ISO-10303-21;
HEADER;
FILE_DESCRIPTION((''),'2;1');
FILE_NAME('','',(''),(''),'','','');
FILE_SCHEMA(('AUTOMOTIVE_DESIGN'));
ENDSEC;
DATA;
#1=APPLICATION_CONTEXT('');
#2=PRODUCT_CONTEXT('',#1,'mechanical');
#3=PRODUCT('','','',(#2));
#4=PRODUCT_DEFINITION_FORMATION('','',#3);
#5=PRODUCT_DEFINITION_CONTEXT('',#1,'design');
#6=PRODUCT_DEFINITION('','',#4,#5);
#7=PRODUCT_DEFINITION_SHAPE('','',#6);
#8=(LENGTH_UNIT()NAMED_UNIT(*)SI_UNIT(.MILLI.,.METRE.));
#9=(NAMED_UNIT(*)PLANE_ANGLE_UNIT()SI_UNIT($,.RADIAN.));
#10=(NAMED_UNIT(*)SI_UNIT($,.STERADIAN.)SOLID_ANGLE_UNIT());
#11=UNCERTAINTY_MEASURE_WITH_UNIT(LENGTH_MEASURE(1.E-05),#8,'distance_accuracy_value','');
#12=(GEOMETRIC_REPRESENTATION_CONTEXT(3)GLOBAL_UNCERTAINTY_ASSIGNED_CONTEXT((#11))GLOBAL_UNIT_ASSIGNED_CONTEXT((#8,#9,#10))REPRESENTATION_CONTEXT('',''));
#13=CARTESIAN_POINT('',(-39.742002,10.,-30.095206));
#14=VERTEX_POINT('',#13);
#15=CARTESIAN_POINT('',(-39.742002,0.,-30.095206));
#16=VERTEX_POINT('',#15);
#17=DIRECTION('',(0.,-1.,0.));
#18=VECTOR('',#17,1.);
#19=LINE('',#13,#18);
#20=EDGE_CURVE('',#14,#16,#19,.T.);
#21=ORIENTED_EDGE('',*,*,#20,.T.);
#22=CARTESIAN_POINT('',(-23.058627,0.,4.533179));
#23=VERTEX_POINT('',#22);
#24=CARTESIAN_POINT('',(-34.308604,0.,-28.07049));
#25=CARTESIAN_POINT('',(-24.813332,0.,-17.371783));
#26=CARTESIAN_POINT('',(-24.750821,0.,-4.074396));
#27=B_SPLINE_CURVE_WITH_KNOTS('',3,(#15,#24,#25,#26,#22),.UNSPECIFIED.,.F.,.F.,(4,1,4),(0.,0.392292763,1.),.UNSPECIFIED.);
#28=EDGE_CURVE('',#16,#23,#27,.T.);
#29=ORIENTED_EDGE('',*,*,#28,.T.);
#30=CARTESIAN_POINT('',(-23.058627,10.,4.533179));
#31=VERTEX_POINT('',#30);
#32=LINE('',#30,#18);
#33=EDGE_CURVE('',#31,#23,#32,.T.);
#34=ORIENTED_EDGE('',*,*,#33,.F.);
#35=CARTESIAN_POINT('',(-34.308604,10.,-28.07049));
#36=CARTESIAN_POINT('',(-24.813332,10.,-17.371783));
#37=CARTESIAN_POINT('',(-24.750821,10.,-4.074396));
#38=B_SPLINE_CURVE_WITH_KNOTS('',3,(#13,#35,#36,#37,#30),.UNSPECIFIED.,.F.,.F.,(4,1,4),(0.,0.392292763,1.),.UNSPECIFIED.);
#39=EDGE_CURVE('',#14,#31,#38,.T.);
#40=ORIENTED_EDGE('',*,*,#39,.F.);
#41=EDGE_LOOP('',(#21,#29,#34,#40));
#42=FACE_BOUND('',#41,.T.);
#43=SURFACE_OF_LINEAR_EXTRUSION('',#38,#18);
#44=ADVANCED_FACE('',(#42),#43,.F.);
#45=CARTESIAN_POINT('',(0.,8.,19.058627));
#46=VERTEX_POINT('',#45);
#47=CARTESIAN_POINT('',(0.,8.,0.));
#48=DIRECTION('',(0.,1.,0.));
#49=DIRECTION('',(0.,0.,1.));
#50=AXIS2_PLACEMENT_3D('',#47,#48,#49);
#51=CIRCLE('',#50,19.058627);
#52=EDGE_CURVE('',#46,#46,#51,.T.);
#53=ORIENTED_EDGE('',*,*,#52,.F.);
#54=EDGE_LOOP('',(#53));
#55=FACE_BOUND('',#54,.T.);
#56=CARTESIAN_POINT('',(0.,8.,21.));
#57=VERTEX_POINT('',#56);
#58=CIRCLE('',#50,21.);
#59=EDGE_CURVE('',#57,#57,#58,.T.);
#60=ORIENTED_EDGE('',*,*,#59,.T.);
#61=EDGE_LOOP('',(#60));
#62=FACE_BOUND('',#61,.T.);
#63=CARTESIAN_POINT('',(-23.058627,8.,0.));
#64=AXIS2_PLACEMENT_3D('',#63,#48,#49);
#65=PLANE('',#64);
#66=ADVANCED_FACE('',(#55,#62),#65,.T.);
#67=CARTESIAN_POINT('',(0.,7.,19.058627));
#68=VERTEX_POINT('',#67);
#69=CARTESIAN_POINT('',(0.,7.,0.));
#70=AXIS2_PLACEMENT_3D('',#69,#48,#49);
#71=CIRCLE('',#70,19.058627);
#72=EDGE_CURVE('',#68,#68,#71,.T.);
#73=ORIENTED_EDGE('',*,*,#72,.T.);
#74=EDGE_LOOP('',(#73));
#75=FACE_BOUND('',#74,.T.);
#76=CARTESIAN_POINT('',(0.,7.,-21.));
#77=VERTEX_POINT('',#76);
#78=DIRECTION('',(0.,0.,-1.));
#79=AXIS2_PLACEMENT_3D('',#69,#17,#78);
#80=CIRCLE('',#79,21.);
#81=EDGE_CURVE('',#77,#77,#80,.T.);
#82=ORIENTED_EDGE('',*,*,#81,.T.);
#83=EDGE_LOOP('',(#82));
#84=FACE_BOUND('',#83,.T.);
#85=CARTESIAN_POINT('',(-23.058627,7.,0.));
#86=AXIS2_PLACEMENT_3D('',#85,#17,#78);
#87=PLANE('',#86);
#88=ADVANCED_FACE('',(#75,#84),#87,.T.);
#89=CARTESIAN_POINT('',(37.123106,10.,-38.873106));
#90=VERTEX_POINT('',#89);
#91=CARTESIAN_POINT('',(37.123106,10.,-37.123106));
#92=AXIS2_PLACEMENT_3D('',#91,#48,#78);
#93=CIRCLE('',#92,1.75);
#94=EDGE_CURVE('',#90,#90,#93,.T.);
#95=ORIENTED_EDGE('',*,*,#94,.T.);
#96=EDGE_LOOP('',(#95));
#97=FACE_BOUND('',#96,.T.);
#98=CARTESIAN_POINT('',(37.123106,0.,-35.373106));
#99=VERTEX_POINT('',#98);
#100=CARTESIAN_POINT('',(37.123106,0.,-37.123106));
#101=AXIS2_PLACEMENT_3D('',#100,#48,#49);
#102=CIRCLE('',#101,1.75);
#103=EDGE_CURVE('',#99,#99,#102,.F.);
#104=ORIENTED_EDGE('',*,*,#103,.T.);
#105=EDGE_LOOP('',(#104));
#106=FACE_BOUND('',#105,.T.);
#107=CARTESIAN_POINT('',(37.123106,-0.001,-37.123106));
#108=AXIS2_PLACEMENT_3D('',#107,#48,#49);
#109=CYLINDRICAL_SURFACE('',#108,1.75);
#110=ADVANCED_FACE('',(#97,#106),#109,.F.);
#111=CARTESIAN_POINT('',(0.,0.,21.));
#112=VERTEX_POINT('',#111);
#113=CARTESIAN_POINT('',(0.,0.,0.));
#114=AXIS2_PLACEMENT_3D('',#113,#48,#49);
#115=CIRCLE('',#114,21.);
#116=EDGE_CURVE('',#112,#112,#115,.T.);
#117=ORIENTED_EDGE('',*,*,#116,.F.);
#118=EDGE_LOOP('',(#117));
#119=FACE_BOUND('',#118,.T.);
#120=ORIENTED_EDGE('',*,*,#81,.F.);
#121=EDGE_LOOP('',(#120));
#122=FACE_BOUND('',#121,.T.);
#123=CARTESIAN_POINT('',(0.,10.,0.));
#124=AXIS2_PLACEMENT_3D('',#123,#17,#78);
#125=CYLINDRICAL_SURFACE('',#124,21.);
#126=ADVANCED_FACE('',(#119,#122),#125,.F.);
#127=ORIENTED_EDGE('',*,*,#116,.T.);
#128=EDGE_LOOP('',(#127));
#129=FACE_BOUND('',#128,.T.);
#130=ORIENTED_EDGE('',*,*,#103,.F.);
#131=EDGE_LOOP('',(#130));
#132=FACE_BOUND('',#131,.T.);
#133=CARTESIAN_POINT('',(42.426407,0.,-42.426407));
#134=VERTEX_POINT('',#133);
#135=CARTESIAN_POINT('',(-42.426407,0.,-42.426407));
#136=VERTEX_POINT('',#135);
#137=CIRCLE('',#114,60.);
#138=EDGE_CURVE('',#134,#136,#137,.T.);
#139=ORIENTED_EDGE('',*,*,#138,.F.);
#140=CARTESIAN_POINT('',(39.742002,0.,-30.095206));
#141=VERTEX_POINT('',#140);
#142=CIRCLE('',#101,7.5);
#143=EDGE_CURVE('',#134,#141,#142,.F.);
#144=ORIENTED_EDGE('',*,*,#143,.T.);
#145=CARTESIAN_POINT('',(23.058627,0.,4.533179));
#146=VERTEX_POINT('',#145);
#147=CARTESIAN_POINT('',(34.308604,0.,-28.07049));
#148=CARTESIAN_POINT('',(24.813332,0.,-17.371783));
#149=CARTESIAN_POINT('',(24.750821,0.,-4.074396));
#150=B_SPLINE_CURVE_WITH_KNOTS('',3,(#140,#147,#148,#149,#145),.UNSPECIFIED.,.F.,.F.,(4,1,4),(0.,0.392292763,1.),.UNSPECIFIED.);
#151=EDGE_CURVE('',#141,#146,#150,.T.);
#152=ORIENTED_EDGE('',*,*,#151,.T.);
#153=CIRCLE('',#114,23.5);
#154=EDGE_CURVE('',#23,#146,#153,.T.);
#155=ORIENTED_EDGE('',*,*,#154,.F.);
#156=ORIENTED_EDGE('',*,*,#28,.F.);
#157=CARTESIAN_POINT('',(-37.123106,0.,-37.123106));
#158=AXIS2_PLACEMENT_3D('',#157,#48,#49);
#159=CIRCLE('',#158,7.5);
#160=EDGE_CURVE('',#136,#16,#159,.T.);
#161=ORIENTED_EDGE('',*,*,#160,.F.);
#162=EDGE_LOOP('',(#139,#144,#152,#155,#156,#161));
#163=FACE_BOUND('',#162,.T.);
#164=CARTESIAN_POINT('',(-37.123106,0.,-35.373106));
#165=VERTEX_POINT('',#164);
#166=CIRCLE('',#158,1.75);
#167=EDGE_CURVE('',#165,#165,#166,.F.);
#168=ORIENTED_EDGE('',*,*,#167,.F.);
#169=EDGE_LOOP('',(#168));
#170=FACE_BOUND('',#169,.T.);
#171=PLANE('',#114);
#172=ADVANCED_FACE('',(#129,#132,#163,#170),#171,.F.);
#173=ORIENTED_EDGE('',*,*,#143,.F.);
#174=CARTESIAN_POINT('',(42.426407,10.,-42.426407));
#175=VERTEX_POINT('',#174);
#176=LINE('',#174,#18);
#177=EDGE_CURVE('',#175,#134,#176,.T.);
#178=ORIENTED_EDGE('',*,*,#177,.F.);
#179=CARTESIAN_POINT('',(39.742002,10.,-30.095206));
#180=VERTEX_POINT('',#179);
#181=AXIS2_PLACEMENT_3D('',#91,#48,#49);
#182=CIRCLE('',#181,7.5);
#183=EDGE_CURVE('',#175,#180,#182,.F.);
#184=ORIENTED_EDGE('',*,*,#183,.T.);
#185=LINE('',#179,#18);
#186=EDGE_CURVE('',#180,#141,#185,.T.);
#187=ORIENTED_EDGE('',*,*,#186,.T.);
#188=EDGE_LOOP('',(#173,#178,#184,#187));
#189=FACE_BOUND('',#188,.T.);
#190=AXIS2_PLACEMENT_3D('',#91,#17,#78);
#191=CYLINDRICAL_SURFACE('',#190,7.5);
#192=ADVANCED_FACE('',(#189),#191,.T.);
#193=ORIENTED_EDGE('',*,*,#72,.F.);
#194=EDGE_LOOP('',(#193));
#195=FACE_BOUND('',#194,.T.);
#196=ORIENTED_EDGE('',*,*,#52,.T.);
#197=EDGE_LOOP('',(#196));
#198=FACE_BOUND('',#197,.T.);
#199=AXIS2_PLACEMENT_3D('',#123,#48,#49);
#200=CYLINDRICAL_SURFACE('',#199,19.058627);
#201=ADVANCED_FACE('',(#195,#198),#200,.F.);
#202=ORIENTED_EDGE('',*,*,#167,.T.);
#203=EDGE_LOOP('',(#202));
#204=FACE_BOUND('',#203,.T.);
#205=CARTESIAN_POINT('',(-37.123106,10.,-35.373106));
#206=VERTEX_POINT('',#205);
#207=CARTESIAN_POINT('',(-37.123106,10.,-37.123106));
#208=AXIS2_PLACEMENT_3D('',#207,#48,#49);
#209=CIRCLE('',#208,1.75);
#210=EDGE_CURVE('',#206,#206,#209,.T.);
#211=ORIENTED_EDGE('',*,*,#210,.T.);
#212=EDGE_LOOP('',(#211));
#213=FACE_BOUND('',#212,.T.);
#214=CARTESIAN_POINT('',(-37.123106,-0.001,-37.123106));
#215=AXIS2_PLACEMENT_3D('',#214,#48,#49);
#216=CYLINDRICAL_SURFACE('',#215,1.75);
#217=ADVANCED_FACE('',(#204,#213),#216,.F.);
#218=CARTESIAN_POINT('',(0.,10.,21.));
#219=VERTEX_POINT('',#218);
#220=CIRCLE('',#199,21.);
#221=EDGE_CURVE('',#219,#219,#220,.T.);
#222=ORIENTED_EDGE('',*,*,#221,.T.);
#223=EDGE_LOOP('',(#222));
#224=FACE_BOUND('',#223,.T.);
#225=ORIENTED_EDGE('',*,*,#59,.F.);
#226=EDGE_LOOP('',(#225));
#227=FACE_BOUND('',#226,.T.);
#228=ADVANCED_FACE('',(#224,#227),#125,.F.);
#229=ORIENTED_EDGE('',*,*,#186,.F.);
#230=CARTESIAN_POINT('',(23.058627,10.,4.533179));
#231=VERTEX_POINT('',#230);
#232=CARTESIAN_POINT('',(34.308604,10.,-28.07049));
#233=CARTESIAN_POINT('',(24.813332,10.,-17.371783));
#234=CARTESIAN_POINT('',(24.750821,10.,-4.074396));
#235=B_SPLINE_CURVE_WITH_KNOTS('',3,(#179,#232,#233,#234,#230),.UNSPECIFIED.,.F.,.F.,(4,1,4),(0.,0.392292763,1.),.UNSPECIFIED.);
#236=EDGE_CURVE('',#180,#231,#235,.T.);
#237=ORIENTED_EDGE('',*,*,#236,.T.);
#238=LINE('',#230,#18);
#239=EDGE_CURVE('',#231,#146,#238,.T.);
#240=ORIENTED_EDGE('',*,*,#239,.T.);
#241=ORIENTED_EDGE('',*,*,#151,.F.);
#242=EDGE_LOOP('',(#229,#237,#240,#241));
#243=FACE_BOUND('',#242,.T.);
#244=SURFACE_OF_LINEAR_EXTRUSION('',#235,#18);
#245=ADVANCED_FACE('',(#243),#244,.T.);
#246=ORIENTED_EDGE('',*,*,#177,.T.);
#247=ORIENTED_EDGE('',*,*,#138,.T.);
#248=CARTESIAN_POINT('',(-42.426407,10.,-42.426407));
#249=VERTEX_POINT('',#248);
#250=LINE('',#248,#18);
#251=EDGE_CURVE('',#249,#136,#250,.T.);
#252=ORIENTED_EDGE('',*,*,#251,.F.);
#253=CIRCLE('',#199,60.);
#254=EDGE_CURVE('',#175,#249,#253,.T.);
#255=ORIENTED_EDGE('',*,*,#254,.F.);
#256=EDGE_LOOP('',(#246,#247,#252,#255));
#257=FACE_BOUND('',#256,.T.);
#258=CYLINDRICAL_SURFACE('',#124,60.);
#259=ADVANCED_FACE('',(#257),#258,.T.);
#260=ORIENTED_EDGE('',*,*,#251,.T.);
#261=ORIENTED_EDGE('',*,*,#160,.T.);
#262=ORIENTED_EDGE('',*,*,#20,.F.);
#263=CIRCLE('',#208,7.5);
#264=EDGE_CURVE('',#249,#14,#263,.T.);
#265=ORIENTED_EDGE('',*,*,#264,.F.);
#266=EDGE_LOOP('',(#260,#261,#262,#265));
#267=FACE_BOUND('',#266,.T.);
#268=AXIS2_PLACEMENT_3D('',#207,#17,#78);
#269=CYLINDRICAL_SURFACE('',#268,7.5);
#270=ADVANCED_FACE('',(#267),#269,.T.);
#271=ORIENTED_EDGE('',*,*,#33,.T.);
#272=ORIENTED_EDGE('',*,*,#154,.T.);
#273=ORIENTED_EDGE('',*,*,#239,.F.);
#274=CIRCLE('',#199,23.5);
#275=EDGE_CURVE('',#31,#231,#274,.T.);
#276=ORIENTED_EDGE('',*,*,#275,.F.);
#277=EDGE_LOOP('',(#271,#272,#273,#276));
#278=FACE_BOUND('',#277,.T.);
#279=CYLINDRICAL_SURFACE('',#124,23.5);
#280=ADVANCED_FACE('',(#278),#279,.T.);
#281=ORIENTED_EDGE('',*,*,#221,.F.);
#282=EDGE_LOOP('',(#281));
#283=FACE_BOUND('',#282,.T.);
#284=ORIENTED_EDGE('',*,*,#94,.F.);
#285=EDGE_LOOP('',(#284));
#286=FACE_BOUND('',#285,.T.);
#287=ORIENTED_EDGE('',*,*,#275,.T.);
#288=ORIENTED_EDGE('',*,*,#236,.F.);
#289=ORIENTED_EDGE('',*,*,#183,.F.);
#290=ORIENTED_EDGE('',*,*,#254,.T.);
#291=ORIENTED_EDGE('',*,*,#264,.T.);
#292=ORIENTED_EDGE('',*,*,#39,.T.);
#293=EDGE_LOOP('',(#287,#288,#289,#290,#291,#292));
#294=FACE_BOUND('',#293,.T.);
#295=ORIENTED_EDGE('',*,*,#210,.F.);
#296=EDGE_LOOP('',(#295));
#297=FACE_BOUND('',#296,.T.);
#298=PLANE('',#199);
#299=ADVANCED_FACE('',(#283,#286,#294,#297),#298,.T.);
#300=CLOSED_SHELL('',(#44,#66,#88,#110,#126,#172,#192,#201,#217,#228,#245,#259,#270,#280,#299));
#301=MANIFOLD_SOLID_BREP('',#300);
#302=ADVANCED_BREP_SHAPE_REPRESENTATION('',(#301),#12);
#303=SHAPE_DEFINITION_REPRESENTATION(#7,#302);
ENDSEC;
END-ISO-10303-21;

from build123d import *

# Parameters (mm, degrees)
SKETCH2_R           = 21
BOSS_EXTRUDE1_DEPTH = 10
CUT_EXTRUDE1_REACH  = 77.44
SKETCH3_R           = 1.75
SKETCH5_W           = 4
SKETCH5_H           = 1


with BuildPart() as part:
    # Sketch2 → Boss-Extrude1 (new body)
    # profile 1 of 6: a face of its own
    with BuildSketch(Plane(origin=(0, 0, 0), x_dir=(1, 0, 0), z_dir=(0, 1, 0))):
        with BuildLine():
            ThreePointArc((-39.742001703, 30.095205518), (-35.527778851, 29.794741171), (-31.819805153, 31.819805153))
            Line((-31.819805153, 31.819805153), (-42.426406871, 42.426406871))
            ThreePointArc((-42.426406871, 42.426406871), (-44.451470854, 35.527778851), (-39.742001703, 30.095205518))
        make_face()
    # profile 2 of 6: a face of its own
    with BuildSketch(Plane(origin=(0, 0, 0), x_dir=(1, 0, 0), z_dir=(0, 1, 0))):
        with BuildLine():
            Line((-42.426406871, 42.426406871), (-31.819805153, 31.819805153))
            ThreePointArc((-31.819805153, 31.819805153), (0, 45), (31.819805153, 31.819805153))
            ThreePointArc((31.819805153, 31.819805153), (35.527778851, 29.794741171), (39.742001703, 30.095205518))
            ThreePointArc((39.742001703, 30.095205518), (44.451470854, 35.527778851), (42.426406871, 42.426406871))
            ThreePointArc((42.426406871, 42.426406871), (0, 60), (-42.426406871, 42.426406871))
        make_face()
    # profile 3 of 6: a face of its own
    with BuildSketch(Plane(origin=(0, 0, 0), x_dir=(1, 0, 0), z_dir=(0, 1, 0))):
        with BuildLine():
            ThreePointArc((31.819805153, 31.819805153), (0, 45), (-31.819805153, 31.819805153))
            ThreePointArc((-31.819805153, 31.819805153), (-33.665365801, 29.860394262), (-35.390472848, 27.794143836))
            add(Edge.make_bspline(
                [(-35.390472848, 27.794143836), (-32.245912853, 25.570807212), (-24.806129807, 15.839794796), (-24.750821328, 4.074395815), (-23.058627279, -4.533178579)],
                knots=[0.115209689, 0.115209689, 0.115209689, 0.115209689, 0.392292763, 1, 1, 1, 1], degree=3))
            ThreePointArc((-23.058627279, -4.533178579), (-2.277307506, 23.38939654), (23.5, 0))
            ThreePointArc((23.5, 0), (23.38939654, -2.277307506), (23.058627279, -4.533178579))
            add(Edge.make_bspline(
                [(35.390472848, 27.794143836), (32.245912853, 25.570807212), (24.806129807, 15.839794796), (24.750821328, 4.074395815), (23.058627279, -4.533178579)],
                knots=[0.115209689, 0.115209689, 0.115209689, 0.115209689, 0.392292763, 1, 1, 1, 1], degree=3))
            ThreePointArc((35.390472848, 27.794143836), (33.665365801, 29.860394262), (31.819805153, 31.819805153))
        make_face()
    # profile 4 of 6: a face of its own
    with BuildSketch(Plane(origin=(0, 0, 0), x_dir=(1, 0, 0), z_dir=(0, 1, 0))):
        with BuildLine():
            ThreePointArc((-35.390472848, 27.794143836), (-33.665365801, 29.860394262), (-31.819805153, 31.819805153))
            ThreePointArc((-31.819805153, 31.819805153), (-35.527778851, 29.794741171), (-39.742001703, 30.095205518))
            add(Edge.make_bspline(
                [(-39.742001703, 30.095205518), (-38.146305527, 29.500581015), (-36.697964408, 28.718595549), (-35.390472848, 27.794143836)],
                knots=[0, 0, 0, 0, 0.115209689, 0.115209689, 0.115209689, 0.115209689], degree=3))
        make_face()
    # profile 5 of 6: a face of its own
    with BuildSketch(Plane(origin=(0, 0, 0), x_dir=(1, 0, 0), z_dir=(0, 1, 0))):
        with BuildLine():
            ThreePointArc((39.742001703, 30.095205518), (35.527778851, 29.794741171), (31.819805153, 31.819805153))
            ThreePointArc((31.819805153, 31.819805153), (33.665365801, 29.860394262), (35.390472848, 27.794143836))
            add(Edge.make_bspline(
                [(39.742001703, 30.095205518), (38.146305527, 29.500581015), (36.697964408, 28.718595549), (35.390472848, 27.794143836)],
                knots=[0, 0, 0, 0, 0.115209689, 0.115209689, 0.115209689, 0.115209689], degree=3))
        make_face()
    # profile 6 of 6: a face of its own
    with BuildSketch(Plane(origin=(0, 0, 0), x_dir=(1, 0, 0), z_dir=(0, 1, 0))):
        with BuildLine():
            ThreePointArc((23.5, 0), (-2.277307506, 23.38939654), (-23.058627279, -4.533178579))
            ThreePointArc((-23.058627279, -4.533178579), (0, -23.5), (23.058627279, -4.533178579))
            ThreePointArc((23.058627279, -4.533178579), (23.38939654, -2.277307506), (23.5, 0))
        make_face()
        with Locations(Location((0, 0, 0), (0, 0, 270))):
            Circle(SKETCH2_R, mode=Mode.SUBTRACT)
    extrude(amount=BOSS_EXTRUDE1_DEPTH)

    # Sketch3 → Cut-Extrude1 (cut, up to next)
    with BuildSketch(Plane(origin=(0, 10, 0), x_dir=(1, 0, 0), z_dir=(0, 1, 0)), mode=Mode.PRIVATE) as cut_extrude1_sk1:
        with Locations(Location((-37.123106012, 37.123106012, 0), (0, 0, 270))):
            Circle(SKETCH3_R)
    cut_extrude1_tool1 = extrude(cut_extrude1_sk1.sketch, amount=-CUT_EXTRUDE1_REACH, mode=Mode.PRIVATE) & part.part
    # Sketch3 → Cut-Extrude1 (cut, up to next)
    with BuildSketch(Plane(origin=(0, 10, 0), x_dir=(1, 0, 0), z_dir=(0, 1, 0)), mode=Mode.PRIVATE) as cut_extrude1_sk2:
        with Locations(Location((37.123106012, 37.123106012, 0), (0, 0, 270))):
            Circle(SKETCH3_R)
    cut_extrude1_tool2 = extrude(cut_extrude1_sk2.sketch, amount=-CUT_EXTRUDE1_REACH, mode=Mode.PRIVATE) & part.part
    add(cut_extrude1_tool1.solids().sort_by_distance((-37.123106, 10, -37.123106))[0], mode=Mode.SUBTRACT)
    add(cut_extrude1_tool2.solids().sort_by_distance((37.123106, 10, -37.123106))[0], mode=Mode.SUBTRACT)

    # Sketch5 → Revolve1 (revolve)
    with BuildSketch(Plane.XY, mode=Mode.PRIVATE) as revolve1_sk:
        with Locations((-21.058627279, 7.5)):
            Rectangle(SKETCH5_W, SKETCH5_H)
    revolve(revolve1_sk.sketch.rotate(Axis((0, 10, 0), (0, -1, 0)), 270), axis=Axis((0, 10, 0), (0, -1, 0)))


solid = part.part
